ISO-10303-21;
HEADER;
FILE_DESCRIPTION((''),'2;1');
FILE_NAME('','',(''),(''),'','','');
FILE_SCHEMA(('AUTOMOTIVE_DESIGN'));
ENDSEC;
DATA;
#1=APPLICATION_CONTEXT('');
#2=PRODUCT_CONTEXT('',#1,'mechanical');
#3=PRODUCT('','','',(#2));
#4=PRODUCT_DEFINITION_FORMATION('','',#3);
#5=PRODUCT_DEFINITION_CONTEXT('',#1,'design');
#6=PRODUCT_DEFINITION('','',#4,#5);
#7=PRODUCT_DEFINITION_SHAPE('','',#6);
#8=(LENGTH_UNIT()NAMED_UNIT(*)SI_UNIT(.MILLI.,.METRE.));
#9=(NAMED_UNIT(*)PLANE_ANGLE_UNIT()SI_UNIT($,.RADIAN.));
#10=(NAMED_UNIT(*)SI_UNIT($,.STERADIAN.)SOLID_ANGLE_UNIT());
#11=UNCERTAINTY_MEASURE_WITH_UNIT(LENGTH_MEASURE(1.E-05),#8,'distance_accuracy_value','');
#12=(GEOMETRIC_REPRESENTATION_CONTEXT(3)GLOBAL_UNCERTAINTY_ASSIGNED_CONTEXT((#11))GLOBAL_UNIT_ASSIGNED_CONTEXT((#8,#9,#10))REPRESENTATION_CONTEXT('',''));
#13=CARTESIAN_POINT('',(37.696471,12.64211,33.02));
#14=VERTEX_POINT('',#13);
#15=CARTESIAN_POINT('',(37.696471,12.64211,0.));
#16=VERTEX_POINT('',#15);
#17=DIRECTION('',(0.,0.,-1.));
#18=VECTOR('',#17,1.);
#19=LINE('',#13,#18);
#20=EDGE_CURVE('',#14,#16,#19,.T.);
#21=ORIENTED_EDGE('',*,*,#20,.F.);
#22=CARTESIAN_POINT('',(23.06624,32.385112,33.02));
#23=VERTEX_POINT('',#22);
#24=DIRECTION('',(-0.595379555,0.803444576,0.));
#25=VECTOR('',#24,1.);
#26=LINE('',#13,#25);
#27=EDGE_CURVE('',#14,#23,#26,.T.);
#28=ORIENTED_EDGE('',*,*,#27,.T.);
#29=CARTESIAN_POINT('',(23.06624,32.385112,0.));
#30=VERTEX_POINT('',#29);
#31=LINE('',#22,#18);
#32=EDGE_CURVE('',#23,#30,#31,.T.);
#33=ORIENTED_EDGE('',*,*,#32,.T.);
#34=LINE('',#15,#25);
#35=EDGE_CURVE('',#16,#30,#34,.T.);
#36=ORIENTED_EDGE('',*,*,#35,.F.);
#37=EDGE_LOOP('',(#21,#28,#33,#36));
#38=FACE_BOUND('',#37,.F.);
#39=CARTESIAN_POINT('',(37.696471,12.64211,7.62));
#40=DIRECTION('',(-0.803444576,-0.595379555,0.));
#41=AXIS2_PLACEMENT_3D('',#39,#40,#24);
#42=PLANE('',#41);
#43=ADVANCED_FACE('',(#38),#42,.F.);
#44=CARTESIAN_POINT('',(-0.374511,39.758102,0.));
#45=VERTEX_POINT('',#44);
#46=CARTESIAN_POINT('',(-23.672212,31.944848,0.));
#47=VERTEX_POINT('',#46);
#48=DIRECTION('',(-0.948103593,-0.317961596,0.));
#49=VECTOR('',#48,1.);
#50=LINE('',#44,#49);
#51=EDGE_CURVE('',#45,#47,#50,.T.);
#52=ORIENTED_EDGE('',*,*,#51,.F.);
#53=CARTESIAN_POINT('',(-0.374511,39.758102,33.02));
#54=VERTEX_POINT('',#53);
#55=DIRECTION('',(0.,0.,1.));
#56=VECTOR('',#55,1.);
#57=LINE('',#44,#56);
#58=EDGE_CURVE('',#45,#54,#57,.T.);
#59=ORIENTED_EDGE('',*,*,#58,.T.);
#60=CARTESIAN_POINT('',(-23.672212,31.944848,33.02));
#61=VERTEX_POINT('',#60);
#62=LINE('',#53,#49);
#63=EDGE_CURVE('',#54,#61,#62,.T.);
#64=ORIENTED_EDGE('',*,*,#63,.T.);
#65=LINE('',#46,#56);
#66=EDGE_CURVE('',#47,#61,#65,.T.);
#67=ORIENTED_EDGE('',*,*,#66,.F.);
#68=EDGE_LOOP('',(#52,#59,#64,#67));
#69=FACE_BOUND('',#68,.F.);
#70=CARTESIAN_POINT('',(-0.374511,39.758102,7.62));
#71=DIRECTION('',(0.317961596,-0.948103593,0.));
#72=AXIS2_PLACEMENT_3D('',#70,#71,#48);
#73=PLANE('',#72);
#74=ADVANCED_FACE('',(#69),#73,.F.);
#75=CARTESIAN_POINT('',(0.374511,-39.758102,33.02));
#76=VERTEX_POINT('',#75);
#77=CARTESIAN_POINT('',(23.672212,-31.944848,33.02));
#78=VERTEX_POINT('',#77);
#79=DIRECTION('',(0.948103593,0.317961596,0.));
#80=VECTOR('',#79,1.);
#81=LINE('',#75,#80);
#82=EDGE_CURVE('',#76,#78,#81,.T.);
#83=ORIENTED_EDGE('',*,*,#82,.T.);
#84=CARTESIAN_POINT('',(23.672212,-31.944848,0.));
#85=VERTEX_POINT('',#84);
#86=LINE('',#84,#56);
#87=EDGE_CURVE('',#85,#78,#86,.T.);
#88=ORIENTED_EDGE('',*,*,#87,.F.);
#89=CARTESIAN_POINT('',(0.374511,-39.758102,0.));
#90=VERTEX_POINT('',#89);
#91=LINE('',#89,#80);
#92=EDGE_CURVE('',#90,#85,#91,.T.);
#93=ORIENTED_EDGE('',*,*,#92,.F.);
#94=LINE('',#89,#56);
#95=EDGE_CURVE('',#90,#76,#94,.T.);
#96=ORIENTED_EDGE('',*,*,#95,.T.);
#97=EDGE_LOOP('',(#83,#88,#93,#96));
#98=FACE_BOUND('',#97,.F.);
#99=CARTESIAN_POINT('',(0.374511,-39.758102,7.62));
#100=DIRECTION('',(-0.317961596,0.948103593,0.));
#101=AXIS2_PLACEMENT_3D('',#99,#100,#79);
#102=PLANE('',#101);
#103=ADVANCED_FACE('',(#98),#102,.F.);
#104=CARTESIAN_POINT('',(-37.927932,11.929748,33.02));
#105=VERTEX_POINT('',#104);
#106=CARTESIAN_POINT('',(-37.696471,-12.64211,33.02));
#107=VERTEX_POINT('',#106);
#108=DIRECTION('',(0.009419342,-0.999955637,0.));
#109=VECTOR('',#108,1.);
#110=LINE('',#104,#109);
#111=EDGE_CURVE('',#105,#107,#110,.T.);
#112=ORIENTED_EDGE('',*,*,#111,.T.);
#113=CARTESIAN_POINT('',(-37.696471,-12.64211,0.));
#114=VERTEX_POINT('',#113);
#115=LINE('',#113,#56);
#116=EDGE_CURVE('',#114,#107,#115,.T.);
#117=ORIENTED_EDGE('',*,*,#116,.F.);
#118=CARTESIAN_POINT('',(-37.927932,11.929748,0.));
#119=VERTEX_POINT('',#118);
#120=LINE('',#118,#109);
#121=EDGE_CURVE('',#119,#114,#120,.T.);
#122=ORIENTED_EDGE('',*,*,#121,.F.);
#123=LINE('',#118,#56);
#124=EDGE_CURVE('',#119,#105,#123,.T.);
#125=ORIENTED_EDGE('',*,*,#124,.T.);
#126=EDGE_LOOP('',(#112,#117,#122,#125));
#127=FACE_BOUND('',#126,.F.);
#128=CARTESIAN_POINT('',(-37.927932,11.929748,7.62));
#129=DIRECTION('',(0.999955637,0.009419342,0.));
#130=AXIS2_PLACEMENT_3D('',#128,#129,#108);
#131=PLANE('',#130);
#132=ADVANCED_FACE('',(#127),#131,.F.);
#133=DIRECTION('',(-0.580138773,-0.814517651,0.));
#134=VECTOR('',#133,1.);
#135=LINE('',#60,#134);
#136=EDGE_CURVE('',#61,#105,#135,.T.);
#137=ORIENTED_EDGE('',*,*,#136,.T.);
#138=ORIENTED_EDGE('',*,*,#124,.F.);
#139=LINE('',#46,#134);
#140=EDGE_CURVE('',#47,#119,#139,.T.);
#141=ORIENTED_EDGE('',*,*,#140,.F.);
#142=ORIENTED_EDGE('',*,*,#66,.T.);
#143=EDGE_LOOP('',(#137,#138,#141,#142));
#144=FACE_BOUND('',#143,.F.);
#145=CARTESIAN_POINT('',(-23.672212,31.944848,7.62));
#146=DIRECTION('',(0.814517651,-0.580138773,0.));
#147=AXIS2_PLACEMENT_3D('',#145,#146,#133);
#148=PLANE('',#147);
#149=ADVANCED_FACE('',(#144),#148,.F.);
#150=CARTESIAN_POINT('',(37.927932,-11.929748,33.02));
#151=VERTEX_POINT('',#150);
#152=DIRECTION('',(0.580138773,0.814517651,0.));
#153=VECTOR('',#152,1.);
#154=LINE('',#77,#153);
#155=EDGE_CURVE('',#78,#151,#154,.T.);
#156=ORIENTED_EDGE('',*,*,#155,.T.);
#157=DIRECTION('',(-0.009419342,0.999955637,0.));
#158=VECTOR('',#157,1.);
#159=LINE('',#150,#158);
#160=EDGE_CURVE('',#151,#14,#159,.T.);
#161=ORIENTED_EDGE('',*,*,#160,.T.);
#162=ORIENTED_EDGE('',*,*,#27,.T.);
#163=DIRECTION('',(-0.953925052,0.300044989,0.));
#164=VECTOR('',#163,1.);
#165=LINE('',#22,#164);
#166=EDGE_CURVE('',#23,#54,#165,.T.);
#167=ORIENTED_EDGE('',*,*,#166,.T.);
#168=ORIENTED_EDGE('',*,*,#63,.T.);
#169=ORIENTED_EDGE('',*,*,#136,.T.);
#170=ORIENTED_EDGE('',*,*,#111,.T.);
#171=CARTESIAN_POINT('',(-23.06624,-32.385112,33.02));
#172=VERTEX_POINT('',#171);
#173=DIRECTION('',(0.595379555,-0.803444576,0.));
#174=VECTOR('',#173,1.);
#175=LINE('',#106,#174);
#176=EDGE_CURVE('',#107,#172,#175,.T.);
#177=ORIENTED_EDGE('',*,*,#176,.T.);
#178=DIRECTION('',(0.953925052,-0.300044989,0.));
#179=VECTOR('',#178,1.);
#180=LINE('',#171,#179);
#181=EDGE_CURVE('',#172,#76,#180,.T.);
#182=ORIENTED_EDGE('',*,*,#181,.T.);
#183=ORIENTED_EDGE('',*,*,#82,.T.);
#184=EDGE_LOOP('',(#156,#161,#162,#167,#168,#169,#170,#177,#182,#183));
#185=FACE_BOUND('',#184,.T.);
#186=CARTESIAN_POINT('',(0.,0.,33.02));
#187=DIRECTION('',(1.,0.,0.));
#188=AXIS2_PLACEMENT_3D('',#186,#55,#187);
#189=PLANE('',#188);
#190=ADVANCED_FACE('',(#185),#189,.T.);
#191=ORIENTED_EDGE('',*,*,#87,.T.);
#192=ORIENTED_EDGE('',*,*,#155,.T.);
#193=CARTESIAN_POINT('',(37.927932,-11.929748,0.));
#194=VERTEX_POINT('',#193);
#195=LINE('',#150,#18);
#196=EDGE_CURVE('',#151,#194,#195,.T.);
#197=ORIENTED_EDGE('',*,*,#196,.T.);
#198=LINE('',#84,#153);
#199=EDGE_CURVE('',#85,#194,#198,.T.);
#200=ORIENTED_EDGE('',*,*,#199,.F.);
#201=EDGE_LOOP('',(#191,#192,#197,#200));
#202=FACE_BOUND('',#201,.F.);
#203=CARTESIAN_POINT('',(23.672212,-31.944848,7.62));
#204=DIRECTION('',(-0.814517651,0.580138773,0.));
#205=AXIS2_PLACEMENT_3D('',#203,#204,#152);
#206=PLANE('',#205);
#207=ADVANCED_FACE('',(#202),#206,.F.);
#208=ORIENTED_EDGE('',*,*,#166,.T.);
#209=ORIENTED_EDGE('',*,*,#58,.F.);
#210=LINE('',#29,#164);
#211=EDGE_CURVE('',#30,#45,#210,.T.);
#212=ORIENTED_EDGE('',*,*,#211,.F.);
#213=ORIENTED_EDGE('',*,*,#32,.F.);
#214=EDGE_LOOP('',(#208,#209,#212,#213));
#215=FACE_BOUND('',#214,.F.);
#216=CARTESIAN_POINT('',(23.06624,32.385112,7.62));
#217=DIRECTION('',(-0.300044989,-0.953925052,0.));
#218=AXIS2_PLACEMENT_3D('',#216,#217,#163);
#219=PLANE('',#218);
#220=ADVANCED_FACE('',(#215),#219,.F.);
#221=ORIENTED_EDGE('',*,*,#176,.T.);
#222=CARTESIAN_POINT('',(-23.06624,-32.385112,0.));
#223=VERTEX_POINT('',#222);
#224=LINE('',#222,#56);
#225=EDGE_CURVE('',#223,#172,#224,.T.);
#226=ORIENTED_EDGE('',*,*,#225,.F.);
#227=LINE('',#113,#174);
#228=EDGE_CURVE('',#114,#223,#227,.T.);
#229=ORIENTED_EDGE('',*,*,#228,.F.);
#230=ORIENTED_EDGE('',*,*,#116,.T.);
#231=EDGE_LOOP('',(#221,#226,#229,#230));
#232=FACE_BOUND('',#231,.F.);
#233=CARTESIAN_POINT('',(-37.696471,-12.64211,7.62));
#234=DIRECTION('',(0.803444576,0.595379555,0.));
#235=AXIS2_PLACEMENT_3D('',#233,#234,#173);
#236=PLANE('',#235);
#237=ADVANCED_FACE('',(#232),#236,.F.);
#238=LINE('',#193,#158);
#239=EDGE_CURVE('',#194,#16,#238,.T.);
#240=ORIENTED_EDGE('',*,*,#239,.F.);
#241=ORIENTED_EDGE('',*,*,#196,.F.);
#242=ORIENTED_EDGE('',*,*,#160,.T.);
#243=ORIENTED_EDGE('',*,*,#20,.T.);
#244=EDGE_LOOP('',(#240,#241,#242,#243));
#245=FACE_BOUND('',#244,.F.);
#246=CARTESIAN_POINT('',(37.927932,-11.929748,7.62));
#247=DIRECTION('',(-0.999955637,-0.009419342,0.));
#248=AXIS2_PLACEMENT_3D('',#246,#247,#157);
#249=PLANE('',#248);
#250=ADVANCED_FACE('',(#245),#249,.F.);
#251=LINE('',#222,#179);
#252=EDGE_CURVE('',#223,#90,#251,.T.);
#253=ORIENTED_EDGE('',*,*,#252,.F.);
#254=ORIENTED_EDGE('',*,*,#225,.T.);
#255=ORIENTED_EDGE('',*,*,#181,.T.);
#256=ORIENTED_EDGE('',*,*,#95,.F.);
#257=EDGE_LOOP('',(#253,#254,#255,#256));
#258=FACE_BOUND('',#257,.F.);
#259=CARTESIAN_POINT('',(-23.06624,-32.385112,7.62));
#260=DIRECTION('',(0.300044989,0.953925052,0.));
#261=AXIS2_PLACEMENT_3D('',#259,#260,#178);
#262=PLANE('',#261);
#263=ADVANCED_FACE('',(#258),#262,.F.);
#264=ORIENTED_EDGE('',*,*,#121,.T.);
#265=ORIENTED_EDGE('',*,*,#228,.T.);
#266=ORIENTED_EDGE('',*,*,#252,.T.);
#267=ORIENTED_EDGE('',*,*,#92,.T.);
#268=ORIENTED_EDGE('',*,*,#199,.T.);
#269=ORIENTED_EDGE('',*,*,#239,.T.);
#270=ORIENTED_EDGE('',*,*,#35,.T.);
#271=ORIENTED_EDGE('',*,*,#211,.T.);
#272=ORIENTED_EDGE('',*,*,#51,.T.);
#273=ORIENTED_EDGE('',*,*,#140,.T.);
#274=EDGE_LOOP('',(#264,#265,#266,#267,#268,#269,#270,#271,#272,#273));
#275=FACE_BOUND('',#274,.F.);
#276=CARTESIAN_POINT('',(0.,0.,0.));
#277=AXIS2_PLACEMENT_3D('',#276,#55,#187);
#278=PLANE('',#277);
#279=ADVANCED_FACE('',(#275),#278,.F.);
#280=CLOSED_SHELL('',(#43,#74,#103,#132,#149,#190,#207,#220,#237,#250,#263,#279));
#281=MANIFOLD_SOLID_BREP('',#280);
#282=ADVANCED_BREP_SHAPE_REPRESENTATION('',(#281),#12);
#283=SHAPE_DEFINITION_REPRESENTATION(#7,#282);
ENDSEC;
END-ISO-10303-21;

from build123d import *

# Parameters (mm, degrees)
F1_DEPTH = 7.62
F2_DEPTH = 25.4


with BuildPart() as f1:
    # F0 (on Top) → F1 (new body)
    with BuildSketch(Plane.XY):
        Polygon((-0.374511, 39.758102), (-23.672212, 31.944848), (-37.927932, 11.929748), (-37.696471, -12.64211), (-23.06624, -32.385112), (0.374511, -39.758102), (23.672212, -31.944848), (37.927932, -11.929748), (37.696471, 12.64211), (23.06624, 32.385112), align=None)
    extrude(amount=F1_DEPTH)

    # F1_face (on face) → F2 (join)
    with BuildSketch(Plane.XY.offset(7.62)):
        Polygon((23.06624, 32.385112), (-0.374511, 39.758102), (-23.672212, 31.944848), (-37.927932, 11.929748), (-37.696471, -12.64211), (-23.06624, -32.385112), (0.374511, -39.758102), (23.672212, -31.944848), (37.927932, -11.929748), (37.696471, 12.64211), align=None)
    extrude(amount=F2_DEPTH)


solid = f1.part
